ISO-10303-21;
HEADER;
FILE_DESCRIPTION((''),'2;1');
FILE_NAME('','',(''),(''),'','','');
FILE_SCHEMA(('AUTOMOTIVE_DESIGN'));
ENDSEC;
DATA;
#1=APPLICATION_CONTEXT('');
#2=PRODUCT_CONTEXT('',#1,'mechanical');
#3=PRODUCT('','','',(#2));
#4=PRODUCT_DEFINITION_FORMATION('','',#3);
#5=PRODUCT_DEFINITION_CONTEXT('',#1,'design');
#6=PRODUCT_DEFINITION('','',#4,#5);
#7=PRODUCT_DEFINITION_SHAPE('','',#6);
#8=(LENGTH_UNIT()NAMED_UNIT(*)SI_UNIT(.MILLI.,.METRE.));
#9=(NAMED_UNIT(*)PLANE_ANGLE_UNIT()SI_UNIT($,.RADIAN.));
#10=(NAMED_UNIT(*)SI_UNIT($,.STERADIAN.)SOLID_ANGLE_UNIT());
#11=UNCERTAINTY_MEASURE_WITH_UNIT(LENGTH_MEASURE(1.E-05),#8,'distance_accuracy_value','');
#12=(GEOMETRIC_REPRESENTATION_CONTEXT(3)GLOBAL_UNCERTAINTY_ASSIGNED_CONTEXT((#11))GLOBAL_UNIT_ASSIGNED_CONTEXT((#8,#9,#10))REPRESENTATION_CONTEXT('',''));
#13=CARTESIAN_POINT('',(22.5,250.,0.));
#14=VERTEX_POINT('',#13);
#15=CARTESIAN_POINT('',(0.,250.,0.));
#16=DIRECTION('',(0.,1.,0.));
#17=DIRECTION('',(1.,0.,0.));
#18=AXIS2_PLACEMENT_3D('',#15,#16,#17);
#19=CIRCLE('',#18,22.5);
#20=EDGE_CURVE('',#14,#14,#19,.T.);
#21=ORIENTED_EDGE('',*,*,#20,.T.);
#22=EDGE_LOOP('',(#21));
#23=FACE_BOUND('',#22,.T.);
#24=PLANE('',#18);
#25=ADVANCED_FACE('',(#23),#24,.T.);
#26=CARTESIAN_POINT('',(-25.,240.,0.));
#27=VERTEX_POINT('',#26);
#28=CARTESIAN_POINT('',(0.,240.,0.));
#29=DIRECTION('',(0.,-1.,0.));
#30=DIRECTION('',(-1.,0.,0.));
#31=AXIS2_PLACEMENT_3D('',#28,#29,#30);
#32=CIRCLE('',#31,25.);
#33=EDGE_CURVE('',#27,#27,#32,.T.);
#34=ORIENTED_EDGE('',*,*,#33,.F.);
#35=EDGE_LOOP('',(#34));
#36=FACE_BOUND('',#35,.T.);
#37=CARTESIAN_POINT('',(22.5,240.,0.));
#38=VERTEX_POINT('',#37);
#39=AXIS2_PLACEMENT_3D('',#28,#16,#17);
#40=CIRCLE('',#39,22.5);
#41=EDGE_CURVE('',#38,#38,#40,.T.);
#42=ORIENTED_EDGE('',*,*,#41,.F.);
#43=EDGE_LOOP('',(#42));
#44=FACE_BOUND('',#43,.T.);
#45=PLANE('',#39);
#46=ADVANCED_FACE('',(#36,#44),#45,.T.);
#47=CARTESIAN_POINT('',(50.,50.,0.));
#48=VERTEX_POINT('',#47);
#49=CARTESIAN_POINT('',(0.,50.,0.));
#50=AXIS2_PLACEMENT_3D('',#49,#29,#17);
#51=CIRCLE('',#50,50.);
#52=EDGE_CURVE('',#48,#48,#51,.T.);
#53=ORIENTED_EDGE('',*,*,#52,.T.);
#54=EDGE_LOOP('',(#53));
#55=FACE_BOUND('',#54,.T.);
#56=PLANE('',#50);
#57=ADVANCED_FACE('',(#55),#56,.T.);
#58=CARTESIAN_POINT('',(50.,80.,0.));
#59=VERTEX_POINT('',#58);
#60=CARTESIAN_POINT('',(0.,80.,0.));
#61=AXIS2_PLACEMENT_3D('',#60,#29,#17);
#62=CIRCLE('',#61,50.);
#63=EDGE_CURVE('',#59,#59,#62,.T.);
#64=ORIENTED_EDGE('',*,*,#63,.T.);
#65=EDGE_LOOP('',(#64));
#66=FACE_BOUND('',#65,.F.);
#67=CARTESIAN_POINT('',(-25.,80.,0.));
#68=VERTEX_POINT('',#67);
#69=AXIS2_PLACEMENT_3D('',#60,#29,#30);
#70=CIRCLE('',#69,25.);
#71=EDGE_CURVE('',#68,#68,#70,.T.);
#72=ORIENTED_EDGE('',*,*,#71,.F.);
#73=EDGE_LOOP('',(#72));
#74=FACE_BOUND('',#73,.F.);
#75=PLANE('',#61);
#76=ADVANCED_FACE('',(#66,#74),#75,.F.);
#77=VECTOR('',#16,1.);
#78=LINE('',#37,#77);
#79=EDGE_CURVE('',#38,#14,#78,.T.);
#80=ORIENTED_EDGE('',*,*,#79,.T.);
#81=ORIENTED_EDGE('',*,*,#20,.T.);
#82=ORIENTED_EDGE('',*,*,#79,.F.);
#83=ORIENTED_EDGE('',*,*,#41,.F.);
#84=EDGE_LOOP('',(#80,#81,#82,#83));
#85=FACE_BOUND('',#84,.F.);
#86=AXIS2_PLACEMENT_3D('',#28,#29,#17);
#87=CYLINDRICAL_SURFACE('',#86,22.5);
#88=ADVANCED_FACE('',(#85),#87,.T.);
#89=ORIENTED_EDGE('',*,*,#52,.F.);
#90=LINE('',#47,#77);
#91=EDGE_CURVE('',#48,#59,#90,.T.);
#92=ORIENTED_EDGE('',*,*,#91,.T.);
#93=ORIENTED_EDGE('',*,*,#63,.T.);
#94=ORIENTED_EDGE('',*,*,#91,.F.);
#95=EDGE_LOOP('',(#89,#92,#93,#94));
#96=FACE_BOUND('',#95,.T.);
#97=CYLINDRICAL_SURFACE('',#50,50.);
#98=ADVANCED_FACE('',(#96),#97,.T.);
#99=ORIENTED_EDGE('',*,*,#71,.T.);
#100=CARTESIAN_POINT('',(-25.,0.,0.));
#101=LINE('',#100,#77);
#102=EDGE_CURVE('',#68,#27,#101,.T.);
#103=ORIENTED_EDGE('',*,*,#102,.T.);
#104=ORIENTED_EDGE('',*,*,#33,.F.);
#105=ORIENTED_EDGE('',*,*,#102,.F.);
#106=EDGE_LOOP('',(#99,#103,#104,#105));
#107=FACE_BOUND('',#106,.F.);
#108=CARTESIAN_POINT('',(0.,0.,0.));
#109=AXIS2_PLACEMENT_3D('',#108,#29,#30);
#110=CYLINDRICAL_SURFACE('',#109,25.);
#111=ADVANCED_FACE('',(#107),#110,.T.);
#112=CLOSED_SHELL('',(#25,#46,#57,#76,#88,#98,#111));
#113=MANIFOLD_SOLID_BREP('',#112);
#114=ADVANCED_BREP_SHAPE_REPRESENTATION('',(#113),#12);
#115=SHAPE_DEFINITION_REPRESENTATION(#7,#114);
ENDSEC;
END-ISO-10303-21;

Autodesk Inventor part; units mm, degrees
ref_plane "YZ Plane" through (0, 0, 0) normal (1, 0, 0) x (0, 1, 0)
ref_plane "XZ Plane" through (0, 0, 0) normal (0, 1, 0) x (-1, 0, 0)
ref_plane "XY Plane" through (0, 0, 0) normal (0, 0, 1) x (1, 0, 0)
sketch "Sketch1" plane through (0, 0, 0) normal (0, 1, 0) x (-1, 0, 0)
  circle A0 centre (0, 0) radius 25
  dimension "d0" = 50
extrude "Extrusion1" add sketch "Sketch1" along normal blind 250
sketch "Sketch2" plane through (0, 250, 0) normal (0, 1, 0) x (1, 0, 0)
  circle A0 centre (0, 0) radius 25
  dimension "d3" = 50
extrude "Extrusion2" cut sketch "Sketch2" against normal blind 10
sketch "Sketch3" plane through (0, 240, 0) normal (0, 1, 0) x (1, 0, 0)
  circle A0 centre (0, 0) radius 22.5
  dimension "d6" = 45
extrude "Extrusion3" add sketch "Sketch3" along normal blind 10
sketch "Sketch4" plane through (0, 0, 0) normal (0, -1, 0) x (1, 0, 0)
  circle A0 centre (0, 0) radius 25
  dimension "d9" = 50
extrude "Extrusion4" cut sketch "Sketch4" against normal blind 50
sketch "Sketch5" plane through (0, 50, 0) normal (0, -1, 0) x (1, 0, 0)
  circle A0 centre (0, 0) radius 50
  dimension "d12" = 100
extrude "Extrusion5" add sketch "Sketch5" against normal blind 30
properties part number "expo1"
